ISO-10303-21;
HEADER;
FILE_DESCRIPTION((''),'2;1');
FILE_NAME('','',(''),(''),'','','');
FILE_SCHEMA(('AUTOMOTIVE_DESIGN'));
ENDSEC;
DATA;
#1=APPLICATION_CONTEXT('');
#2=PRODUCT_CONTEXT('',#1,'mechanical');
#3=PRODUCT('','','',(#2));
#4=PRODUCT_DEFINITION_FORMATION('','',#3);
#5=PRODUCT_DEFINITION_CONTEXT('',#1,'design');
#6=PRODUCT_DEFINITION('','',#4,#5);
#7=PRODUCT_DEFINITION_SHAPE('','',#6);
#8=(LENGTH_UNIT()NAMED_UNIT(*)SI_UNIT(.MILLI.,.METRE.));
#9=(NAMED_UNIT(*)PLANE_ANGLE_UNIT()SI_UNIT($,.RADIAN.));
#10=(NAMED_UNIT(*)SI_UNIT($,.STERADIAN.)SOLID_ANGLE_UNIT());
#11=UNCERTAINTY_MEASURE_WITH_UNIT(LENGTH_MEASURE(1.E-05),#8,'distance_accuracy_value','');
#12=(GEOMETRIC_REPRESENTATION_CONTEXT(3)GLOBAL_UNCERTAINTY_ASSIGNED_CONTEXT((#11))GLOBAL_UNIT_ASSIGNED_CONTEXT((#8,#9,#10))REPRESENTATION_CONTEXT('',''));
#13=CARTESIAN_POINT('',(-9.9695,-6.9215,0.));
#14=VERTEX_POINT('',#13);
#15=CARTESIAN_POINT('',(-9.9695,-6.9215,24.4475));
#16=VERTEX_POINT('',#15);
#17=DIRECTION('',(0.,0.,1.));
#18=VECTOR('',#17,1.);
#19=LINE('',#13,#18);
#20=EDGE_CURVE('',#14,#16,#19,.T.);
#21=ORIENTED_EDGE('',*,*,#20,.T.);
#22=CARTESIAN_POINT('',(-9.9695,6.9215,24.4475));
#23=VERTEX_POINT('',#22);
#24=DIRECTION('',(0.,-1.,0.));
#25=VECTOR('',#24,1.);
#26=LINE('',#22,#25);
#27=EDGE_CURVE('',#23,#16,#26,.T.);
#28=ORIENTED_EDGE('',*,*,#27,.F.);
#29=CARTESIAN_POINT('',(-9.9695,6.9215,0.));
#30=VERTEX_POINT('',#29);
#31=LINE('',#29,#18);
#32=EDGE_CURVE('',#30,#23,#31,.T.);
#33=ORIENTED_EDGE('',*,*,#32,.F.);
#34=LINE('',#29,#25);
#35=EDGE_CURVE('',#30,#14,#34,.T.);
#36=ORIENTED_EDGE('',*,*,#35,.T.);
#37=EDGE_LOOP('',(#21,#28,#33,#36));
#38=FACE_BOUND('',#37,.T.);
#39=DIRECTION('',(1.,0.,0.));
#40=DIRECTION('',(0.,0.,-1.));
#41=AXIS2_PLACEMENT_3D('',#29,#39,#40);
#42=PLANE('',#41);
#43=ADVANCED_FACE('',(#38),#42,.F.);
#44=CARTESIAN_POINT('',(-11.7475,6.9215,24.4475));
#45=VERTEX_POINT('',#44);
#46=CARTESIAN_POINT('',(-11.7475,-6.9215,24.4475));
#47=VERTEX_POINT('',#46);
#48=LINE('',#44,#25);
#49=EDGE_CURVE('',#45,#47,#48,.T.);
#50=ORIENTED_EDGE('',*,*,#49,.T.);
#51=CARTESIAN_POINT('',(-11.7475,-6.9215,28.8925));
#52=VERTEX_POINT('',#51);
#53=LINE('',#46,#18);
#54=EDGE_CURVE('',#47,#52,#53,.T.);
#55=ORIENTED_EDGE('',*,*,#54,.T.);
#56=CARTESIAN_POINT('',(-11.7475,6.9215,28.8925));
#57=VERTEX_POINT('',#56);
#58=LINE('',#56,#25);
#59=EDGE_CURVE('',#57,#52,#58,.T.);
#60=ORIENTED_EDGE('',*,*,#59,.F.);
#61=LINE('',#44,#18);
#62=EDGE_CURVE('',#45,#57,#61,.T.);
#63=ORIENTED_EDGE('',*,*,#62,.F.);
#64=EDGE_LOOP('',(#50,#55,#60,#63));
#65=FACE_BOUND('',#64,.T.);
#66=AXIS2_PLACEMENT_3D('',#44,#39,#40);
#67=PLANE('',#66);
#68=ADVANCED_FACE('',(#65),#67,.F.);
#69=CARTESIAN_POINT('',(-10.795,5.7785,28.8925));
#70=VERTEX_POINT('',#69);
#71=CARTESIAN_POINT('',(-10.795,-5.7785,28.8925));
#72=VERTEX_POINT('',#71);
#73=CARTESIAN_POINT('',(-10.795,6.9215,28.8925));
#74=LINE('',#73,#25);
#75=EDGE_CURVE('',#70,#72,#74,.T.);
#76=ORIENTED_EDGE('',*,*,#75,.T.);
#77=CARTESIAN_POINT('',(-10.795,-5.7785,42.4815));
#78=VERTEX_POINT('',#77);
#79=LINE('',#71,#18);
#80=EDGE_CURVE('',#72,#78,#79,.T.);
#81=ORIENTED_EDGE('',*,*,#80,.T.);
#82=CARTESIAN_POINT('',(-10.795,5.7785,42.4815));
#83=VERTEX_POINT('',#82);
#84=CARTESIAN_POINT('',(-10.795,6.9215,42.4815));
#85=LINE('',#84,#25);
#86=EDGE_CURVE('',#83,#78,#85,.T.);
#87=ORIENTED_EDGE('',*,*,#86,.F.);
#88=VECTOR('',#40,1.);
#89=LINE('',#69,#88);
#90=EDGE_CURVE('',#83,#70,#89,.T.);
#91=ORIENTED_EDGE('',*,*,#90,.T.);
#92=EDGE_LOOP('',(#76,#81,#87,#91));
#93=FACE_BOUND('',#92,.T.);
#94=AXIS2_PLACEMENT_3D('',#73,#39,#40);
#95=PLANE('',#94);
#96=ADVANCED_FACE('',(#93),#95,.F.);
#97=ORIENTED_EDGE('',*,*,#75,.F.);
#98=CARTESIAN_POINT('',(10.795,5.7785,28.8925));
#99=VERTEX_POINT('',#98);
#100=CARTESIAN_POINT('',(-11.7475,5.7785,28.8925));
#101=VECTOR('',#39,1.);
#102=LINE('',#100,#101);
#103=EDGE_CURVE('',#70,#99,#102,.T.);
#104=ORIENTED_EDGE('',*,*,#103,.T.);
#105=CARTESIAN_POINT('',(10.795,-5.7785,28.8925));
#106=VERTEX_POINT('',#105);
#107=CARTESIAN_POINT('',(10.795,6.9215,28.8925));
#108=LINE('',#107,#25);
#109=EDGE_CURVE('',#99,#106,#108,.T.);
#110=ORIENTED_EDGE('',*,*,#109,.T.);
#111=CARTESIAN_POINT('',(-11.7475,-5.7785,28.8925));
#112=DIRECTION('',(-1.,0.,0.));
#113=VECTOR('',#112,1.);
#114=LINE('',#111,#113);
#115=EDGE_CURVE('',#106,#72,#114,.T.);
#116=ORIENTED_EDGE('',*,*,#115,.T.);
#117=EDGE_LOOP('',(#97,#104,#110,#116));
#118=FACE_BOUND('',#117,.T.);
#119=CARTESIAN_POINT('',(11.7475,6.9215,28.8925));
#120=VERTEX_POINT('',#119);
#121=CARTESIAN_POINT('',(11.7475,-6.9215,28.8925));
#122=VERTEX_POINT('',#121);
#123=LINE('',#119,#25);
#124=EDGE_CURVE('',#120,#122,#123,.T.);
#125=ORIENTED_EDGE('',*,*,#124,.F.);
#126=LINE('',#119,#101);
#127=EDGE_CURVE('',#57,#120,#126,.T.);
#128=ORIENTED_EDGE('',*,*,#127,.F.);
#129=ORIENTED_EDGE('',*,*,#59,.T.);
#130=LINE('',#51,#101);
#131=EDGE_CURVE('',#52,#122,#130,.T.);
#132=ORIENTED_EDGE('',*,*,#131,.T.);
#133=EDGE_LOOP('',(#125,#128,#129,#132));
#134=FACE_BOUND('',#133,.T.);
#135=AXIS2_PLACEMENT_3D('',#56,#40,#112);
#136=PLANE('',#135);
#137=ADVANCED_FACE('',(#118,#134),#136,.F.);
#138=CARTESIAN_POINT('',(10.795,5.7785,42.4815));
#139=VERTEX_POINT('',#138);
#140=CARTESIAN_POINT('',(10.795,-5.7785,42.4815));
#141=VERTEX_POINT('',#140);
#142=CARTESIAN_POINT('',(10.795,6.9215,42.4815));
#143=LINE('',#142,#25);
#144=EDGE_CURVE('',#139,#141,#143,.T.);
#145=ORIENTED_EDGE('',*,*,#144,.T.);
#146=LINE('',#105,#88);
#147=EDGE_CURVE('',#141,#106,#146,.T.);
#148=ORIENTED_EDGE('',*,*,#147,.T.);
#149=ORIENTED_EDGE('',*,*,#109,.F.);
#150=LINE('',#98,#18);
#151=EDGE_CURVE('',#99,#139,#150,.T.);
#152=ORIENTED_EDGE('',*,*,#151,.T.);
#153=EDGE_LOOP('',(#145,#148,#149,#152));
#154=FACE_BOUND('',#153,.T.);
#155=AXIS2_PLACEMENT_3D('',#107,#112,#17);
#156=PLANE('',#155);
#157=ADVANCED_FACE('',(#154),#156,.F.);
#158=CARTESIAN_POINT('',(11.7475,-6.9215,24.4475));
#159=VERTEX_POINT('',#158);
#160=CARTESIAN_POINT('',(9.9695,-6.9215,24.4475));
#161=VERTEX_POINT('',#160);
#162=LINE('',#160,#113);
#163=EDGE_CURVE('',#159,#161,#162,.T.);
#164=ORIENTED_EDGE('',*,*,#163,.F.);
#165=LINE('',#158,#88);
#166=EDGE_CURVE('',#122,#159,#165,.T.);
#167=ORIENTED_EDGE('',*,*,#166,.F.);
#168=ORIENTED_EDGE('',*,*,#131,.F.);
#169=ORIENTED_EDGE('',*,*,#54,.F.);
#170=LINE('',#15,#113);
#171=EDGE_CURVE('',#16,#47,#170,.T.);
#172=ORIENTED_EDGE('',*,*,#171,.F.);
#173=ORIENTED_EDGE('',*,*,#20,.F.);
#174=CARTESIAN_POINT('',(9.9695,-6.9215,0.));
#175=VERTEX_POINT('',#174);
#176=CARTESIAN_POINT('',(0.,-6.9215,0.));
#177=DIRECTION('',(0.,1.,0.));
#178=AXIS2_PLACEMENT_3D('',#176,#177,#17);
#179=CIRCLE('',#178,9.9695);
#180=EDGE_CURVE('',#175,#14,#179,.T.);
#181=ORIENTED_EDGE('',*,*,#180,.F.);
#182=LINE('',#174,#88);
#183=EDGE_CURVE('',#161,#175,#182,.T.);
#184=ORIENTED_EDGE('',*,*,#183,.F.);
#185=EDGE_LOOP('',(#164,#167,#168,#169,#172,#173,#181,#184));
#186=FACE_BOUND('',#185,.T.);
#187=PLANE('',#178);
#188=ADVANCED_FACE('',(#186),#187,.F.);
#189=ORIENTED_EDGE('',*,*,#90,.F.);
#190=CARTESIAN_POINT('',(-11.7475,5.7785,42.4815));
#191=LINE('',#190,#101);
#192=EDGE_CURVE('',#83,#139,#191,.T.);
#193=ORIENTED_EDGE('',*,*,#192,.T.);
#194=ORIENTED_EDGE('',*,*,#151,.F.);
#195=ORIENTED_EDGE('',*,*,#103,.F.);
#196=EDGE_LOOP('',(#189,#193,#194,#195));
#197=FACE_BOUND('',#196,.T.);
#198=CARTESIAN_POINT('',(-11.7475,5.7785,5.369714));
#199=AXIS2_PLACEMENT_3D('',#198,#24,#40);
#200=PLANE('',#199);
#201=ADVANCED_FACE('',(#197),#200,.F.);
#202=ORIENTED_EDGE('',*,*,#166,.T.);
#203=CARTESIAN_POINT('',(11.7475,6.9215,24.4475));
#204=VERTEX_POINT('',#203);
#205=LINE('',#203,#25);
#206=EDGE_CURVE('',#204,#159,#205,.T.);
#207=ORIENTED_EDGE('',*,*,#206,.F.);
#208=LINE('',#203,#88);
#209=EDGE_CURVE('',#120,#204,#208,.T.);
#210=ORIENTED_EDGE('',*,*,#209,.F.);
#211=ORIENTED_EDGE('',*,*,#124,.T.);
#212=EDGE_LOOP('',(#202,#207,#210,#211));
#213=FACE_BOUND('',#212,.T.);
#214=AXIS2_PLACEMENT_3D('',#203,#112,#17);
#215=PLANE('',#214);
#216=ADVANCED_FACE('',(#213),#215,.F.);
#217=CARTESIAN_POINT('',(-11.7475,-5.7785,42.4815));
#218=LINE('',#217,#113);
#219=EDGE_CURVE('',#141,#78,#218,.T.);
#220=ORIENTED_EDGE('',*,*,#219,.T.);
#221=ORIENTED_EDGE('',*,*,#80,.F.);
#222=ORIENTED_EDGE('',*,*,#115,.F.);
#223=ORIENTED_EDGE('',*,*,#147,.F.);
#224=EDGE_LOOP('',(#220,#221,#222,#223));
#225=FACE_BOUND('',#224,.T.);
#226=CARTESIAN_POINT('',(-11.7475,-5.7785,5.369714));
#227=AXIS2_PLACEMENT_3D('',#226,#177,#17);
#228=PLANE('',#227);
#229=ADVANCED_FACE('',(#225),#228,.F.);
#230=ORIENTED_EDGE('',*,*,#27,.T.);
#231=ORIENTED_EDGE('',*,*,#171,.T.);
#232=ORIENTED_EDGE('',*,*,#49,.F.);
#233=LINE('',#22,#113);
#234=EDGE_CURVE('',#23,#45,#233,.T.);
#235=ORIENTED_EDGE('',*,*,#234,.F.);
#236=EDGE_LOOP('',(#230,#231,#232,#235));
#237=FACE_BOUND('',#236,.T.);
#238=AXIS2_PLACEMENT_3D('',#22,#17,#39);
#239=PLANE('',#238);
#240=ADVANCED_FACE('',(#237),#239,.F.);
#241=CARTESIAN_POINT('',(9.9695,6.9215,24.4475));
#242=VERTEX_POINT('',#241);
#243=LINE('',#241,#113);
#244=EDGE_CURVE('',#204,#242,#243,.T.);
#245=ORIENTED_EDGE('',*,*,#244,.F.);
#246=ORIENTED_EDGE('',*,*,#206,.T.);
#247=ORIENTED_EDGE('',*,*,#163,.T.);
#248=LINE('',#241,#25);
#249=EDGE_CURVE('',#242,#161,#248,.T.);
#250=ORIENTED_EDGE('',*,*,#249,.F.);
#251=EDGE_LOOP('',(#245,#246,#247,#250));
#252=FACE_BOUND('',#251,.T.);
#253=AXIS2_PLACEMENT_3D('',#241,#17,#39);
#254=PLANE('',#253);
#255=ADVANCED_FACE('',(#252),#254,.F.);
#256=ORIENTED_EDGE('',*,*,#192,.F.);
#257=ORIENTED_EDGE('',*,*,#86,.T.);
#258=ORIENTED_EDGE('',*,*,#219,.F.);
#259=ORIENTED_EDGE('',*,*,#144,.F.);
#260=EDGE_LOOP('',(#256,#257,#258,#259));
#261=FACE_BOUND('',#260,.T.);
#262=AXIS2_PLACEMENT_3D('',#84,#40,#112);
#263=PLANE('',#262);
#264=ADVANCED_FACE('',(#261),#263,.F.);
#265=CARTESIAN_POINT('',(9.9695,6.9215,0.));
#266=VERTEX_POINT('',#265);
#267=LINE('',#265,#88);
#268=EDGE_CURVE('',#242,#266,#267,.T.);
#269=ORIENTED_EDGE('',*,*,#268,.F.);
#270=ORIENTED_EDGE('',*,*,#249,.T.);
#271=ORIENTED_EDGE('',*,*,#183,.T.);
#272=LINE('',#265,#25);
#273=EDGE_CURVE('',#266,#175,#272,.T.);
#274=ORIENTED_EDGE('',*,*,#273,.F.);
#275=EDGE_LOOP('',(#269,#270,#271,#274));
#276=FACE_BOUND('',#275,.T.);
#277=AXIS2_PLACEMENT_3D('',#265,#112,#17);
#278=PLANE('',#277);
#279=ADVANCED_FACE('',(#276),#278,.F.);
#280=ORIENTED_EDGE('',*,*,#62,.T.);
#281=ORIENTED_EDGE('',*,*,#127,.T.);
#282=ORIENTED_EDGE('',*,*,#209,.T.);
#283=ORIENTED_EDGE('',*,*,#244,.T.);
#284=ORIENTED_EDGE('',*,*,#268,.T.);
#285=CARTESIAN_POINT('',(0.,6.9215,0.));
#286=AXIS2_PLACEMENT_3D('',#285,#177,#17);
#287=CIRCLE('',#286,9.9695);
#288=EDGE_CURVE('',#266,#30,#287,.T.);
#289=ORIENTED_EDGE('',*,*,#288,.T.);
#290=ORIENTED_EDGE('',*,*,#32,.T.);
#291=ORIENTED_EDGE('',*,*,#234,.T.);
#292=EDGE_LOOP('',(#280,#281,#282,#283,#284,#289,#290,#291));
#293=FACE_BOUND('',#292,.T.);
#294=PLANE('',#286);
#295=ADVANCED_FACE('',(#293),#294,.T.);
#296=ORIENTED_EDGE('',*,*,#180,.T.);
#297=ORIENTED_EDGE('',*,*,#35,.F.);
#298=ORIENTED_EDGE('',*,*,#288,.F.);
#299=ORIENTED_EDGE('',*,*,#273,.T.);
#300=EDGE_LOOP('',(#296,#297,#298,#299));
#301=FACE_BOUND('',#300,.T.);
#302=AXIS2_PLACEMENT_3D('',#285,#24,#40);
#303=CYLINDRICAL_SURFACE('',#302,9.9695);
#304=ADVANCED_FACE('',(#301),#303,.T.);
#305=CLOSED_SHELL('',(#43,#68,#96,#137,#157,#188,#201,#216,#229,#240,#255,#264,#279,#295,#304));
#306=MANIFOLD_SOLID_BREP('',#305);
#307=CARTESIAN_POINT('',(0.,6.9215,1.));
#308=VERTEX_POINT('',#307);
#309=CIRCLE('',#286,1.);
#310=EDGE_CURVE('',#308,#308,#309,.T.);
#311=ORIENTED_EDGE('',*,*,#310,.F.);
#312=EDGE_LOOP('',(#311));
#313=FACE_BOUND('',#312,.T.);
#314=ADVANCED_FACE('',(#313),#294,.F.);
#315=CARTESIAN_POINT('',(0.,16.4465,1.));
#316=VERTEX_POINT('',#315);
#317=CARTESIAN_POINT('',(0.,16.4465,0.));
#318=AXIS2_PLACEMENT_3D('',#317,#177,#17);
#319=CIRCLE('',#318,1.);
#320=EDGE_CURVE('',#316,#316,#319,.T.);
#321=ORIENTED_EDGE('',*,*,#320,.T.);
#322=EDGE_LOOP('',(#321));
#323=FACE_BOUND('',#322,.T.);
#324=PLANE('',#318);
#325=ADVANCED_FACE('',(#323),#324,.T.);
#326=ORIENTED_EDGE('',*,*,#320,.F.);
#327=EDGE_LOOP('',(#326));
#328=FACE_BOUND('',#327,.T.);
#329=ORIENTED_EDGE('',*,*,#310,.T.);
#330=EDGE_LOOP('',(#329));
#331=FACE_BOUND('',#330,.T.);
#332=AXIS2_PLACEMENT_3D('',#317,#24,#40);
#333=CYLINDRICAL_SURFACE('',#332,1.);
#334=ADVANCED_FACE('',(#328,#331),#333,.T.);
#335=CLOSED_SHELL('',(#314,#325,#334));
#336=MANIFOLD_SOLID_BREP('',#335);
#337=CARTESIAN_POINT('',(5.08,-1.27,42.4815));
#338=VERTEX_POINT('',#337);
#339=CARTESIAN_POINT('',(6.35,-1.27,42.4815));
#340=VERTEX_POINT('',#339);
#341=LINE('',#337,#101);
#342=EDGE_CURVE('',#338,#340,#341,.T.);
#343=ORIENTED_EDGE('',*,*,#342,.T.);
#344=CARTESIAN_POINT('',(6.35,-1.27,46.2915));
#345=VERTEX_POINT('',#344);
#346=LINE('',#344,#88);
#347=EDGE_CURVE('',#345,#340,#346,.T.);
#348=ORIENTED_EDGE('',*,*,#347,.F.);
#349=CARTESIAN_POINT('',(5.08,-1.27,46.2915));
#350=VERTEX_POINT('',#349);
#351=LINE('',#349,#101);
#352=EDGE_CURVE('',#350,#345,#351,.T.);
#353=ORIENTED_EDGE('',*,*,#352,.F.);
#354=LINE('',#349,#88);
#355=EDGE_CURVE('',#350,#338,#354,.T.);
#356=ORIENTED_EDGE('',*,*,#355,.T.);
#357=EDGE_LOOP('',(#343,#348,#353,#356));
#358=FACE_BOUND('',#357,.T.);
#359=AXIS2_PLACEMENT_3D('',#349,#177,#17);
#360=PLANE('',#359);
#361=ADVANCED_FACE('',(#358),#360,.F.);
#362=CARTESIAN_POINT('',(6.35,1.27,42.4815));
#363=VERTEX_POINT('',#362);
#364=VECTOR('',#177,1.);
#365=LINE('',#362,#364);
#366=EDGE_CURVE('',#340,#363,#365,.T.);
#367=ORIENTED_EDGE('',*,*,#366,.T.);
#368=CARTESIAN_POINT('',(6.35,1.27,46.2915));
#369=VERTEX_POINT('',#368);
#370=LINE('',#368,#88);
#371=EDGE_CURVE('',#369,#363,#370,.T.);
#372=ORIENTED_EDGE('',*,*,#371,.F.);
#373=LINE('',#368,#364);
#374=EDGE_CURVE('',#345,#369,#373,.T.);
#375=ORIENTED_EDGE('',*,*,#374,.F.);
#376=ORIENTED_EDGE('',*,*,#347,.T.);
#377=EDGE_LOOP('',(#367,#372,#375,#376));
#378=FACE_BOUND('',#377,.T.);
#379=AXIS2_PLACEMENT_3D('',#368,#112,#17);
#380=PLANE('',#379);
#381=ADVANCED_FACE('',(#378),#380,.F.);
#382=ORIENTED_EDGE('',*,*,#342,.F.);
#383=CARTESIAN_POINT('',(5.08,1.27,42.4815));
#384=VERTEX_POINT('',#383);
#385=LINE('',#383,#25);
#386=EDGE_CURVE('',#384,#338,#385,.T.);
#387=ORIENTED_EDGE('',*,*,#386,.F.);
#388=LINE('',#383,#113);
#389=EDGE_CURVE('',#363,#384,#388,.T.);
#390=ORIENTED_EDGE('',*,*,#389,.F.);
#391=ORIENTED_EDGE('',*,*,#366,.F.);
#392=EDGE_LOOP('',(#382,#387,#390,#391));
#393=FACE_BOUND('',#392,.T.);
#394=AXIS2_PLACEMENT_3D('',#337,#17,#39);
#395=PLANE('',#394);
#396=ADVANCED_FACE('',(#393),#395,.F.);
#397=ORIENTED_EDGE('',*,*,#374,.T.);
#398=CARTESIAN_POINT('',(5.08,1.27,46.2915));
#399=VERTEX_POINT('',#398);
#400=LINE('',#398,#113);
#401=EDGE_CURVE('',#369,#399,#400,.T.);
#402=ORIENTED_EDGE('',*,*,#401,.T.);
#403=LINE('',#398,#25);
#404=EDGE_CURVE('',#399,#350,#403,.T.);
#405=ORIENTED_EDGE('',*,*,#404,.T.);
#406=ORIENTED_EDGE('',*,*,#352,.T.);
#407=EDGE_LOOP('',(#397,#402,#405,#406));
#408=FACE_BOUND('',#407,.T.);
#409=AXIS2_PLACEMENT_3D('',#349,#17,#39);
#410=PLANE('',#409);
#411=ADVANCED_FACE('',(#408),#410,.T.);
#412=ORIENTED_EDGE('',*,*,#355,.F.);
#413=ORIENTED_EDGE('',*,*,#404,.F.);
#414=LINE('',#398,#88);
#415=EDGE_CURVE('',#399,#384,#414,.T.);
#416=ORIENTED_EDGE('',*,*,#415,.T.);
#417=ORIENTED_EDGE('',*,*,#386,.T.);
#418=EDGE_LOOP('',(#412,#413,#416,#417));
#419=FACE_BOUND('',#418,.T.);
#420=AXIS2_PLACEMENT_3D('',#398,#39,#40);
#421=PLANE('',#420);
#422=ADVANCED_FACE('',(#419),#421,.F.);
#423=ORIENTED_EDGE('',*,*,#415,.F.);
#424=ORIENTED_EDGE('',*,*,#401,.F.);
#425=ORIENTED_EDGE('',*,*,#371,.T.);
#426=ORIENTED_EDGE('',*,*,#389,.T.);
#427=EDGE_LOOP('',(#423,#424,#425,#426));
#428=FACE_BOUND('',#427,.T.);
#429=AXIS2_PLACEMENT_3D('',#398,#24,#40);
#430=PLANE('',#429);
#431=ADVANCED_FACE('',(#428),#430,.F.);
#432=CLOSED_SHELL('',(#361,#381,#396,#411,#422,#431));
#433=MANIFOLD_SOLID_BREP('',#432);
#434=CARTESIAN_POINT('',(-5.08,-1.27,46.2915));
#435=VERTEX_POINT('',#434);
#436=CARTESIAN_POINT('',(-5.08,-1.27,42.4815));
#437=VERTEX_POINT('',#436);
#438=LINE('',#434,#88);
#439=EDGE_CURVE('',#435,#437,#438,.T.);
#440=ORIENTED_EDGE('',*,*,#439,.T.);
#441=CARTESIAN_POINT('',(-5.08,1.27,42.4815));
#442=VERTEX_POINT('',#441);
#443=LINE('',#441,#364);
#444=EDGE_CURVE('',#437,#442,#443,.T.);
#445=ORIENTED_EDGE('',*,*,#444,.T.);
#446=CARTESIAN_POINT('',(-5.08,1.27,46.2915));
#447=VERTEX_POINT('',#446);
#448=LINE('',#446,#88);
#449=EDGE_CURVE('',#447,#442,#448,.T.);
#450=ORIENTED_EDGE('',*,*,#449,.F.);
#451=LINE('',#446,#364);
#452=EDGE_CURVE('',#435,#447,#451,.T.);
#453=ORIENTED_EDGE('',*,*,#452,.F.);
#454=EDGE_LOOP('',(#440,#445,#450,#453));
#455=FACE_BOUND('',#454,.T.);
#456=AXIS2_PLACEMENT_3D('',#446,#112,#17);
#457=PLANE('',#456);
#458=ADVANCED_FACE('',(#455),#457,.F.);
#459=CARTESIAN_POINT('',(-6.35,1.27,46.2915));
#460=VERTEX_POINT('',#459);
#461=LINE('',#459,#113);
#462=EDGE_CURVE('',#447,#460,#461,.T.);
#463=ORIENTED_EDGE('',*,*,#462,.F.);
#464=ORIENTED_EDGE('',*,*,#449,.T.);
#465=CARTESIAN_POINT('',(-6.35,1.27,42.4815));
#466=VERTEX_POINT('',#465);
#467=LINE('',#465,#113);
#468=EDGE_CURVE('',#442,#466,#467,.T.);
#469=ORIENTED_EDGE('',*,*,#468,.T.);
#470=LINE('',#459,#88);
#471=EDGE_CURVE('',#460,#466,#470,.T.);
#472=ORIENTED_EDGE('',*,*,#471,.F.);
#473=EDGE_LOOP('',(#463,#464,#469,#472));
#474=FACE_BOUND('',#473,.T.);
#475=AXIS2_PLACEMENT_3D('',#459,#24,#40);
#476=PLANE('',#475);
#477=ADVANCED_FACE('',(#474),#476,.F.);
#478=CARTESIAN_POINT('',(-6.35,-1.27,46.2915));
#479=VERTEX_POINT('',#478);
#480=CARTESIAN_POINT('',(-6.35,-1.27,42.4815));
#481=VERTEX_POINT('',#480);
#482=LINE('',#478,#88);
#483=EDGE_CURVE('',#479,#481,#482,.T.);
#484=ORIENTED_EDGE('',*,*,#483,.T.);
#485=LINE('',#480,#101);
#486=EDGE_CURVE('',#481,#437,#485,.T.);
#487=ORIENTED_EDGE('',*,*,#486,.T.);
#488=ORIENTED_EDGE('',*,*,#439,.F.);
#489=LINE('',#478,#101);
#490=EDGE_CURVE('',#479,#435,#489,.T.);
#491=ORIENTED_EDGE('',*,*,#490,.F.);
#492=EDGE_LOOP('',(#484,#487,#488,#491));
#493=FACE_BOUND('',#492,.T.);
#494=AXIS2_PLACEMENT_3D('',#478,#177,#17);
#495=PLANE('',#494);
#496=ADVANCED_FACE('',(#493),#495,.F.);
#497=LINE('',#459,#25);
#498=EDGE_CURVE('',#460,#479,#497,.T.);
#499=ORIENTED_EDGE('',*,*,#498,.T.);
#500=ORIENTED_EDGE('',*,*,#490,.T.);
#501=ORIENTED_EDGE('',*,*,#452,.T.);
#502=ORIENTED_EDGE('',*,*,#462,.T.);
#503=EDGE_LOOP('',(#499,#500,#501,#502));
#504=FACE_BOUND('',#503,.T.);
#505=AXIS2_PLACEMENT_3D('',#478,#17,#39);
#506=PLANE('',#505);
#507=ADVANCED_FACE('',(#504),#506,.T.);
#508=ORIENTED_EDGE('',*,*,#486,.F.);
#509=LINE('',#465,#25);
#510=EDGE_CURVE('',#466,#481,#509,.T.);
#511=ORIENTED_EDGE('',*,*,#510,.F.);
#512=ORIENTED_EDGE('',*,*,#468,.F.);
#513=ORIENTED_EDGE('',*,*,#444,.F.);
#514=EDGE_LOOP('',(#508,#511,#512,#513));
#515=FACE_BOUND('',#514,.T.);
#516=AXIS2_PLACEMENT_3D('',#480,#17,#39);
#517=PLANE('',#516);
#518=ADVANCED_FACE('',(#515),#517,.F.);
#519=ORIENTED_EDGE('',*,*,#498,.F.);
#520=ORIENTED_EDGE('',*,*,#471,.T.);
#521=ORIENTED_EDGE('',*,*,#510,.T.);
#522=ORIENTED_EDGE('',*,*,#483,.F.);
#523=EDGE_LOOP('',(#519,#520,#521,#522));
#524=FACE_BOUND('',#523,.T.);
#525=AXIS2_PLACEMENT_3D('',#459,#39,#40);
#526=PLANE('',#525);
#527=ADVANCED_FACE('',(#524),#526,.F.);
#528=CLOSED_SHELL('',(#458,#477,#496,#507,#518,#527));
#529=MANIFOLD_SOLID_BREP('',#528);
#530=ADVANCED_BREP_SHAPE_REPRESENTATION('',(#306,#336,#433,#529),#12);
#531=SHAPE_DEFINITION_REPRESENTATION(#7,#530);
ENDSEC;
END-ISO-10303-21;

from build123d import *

# Parameters (mm, degrees)
EXTRUDE1_DEPTH     = 6.9215
SKETCH2_W          = 23.495
SKETCH2_H          = 1.143
CUT_EXTRUDE1_DEPTH = 13.589
SKETCH3_R          = 1
EXTRUDE2_DEPTH     = 9.525
SKETCH4_W          = 1.27
SKETCH4_H          = 2.54
EXTRUDE3_DEPTH     = 3.81
EXTRUDE3_2_DEPTH   = 3.81


with BuildPart() as part:
    # Sketch1 → Extrude1 (new body, symmetric)
    with BuildSketch(Plane(origin=(0, 0, 0), x_dir=(1, 0, 0), z_dir=(0, 1, 0))):
        with BuildLine():
            Line((-9.9695, -24.4475), (-11.7475, -24.4475))
            Line((-11.7475, -24.4475), (-11.7475, -28.8925))
            Line((-11.7475, -28.8925), (-10.795, -28.8925))
            Line((-10.795, -28.8925), (-10.795, -42.4815))
            Line((-10.795, -42.4815), (10.795, -42.4815))
            Line((10.795, -42.4815), (10.795, -28.8925))
            Line((10.795, -28.8925), (11.7475, -28.8925))
            Line((11.7475, -28.8925), (11.7475, -24.4475))
            Line((11.7475, -24.4475), (9.9695, -24.4475))
            Line((9.9695, -24.4475), (9.9695, 0))
            ThreePointArc((9.9695, 0), (0, 9.9695), (-9.9695, 0))
            Line((-9.9695, 0), (-9.9695, -24.4475))
        make_face()
    extrude(amount=EXTRUDE1_DEPTH, both=True)

    # Sketch2 → Cut-Extrude1 (cut)
    with BuildSketch(Plane.XY.offset(42.4815)):
        with Locations((0, 6.35)):
            Rectangle(SKETCH2_W, SKETCH2_H)
        with Locations((0, -6.35)):
            Rectangle(SKETCH2_W, SKETCH2_H)
    extrude(amount=-CUT_EXTRUDE1_DEPTH, mode=Mode.SUBTRACT)


with BuildPart() as body_2:
    # Sketch3 → Extrude2 (new body)
    with BuildSketch(Plane(origin=(0, 6.9215, 0), x_dir=(1, 0, 0), z_dir=(0, 1, 0))):
        with Locations(Location((0, 0, 0), (0, 0, 270))):  # turned: the seam where the file's is
            Circle(SKETCH3_R)
    extrude(amount=EXTRUDE2_DEPTH)


with BuildPart() as body_3:
    # Sketch4 → Extrude3 (new body)
    with BuildSketch(Plane.XY.offset(42.4815)):
        with Locations((-5.715, 0)):
            Rectangle(SKETCH4_W, SKETCH4_H)
    extrude(amount=EXTRUDE3_DEPTH)


with BuildPart() as body_4:
    # Sketch4 → Extrude3 2 (new body)
    with BuildSketch(Plane.XY.offset(42.4815)):
        with Locations((5.715, 0)):
            Rectangle(SKETCH4_W, SKETCH4_H)
    extrude(amount=EXTRUDE3_2_DEPTH)


solid = Compound([part.part, body_2.part, body_3.part, body_4.part])
